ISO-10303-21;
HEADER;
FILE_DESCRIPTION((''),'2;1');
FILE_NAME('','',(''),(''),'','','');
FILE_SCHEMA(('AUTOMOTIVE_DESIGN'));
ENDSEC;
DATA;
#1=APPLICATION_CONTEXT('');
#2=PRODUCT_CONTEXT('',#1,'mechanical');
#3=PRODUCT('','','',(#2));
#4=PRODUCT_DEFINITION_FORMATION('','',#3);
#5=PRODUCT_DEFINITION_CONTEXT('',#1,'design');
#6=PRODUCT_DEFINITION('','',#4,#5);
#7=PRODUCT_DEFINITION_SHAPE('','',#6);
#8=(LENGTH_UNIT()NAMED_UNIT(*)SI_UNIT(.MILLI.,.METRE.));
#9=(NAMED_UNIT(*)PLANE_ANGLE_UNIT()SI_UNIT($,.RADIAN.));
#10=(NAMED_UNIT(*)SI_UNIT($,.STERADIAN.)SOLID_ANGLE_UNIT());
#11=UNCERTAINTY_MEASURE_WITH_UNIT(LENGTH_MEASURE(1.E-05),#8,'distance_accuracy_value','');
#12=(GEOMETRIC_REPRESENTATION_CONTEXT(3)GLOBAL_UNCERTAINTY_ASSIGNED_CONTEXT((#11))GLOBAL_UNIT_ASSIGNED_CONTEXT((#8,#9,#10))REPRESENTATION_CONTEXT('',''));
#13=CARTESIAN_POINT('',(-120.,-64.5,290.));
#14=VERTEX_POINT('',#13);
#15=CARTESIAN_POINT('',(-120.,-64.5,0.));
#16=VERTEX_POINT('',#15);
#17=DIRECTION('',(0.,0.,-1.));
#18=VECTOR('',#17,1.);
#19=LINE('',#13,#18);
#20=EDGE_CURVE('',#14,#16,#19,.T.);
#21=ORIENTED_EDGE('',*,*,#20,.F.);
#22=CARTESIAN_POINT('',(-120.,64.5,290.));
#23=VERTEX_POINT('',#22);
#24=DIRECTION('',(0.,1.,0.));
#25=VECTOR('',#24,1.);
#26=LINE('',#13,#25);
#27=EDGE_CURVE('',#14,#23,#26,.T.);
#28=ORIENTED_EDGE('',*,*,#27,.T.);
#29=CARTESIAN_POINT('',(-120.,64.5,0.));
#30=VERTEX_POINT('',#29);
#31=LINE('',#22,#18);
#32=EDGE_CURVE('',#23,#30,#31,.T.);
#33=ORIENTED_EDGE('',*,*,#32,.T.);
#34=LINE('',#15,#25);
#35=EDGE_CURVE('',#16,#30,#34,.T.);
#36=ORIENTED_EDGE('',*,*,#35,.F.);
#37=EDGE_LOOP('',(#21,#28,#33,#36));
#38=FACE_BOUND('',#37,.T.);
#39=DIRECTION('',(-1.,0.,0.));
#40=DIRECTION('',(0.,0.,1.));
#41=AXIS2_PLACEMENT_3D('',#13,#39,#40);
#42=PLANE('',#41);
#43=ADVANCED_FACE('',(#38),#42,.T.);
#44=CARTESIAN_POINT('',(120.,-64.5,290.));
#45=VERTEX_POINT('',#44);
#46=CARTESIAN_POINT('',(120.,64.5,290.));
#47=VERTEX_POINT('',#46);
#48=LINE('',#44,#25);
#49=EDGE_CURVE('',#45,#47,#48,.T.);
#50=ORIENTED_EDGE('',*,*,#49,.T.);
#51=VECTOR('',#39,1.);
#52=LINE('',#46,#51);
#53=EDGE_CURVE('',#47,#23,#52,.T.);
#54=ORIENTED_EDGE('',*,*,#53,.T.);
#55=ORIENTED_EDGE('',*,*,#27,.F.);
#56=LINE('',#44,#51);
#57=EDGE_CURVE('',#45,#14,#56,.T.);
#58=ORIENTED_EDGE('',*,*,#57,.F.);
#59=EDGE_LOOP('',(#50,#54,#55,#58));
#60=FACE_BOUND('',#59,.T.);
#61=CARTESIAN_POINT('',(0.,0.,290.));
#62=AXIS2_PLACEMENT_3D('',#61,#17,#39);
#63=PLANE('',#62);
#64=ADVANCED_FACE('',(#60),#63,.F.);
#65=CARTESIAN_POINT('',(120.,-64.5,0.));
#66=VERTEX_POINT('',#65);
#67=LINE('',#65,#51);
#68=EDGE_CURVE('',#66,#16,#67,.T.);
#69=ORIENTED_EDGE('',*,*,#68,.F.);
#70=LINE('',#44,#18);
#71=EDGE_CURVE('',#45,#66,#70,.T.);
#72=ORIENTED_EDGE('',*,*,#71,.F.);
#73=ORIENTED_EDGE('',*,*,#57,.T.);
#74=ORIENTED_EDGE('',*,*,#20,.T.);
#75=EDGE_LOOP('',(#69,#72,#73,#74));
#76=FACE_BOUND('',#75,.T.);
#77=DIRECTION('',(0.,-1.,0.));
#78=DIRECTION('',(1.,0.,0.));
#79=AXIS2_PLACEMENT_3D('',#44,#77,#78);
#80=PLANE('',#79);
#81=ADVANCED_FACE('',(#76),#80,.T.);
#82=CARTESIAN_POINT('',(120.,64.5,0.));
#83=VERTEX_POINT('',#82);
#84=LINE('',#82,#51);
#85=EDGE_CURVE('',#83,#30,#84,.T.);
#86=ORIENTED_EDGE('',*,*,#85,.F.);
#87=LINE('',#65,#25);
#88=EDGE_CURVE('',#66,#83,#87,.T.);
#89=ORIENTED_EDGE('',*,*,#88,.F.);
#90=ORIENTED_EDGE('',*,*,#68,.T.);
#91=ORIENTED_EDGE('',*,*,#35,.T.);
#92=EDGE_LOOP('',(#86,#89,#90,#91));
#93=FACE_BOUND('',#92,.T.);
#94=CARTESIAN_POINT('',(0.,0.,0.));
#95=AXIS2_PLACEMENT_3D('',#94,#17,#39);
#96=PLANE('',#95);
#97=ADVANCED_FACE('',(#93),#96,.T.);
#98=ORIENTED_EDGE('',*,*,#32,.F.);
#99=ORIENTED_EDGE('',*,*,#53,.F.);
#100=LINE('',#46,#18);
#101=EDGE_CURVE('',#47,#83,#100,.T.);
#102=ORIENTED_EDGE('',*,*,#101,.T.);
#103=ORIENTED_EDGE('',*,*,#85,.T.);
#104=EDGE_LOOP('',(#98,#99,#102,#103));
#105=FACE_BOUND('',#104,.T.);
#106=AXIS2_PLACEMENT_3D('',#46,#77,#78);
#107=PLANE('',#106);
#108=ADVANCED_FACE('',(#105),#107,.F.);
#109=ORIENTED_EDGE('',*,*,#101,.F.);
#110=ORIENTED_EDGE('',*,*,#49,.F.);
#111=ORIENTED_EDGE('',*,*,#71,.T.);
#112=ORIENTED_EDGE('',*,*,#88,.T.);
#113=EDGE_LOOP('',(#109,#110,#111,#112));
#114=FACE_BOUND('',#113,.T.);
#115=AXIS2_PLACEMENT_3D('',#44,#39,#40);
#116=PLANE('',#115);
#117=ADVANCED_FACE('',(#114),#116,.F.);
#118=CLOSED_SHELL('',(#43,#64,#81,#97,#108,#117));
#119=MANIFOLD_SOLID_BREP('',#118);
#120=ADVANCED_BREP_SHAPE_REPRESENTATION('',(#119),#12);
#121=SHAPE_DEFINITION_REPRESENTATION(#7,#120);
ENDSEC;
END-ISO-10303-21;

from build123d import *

# Parameters (mm, degrees)
SKETCH1_W           = 240
SKETCH1_H           = 129
BOSS_EXTRUDE1_DEPTH = 290


with BuildPart() as part:
    # Sketch1 → Boss-Extrude1 (new body)
    with BuildSketch(Plane.XY):
        Rectangle(SKETCH1_W, SKETCH1_H)
    extrude(amount=BOSS_EXTRUDE1_DEPTH)


solid = part.part
